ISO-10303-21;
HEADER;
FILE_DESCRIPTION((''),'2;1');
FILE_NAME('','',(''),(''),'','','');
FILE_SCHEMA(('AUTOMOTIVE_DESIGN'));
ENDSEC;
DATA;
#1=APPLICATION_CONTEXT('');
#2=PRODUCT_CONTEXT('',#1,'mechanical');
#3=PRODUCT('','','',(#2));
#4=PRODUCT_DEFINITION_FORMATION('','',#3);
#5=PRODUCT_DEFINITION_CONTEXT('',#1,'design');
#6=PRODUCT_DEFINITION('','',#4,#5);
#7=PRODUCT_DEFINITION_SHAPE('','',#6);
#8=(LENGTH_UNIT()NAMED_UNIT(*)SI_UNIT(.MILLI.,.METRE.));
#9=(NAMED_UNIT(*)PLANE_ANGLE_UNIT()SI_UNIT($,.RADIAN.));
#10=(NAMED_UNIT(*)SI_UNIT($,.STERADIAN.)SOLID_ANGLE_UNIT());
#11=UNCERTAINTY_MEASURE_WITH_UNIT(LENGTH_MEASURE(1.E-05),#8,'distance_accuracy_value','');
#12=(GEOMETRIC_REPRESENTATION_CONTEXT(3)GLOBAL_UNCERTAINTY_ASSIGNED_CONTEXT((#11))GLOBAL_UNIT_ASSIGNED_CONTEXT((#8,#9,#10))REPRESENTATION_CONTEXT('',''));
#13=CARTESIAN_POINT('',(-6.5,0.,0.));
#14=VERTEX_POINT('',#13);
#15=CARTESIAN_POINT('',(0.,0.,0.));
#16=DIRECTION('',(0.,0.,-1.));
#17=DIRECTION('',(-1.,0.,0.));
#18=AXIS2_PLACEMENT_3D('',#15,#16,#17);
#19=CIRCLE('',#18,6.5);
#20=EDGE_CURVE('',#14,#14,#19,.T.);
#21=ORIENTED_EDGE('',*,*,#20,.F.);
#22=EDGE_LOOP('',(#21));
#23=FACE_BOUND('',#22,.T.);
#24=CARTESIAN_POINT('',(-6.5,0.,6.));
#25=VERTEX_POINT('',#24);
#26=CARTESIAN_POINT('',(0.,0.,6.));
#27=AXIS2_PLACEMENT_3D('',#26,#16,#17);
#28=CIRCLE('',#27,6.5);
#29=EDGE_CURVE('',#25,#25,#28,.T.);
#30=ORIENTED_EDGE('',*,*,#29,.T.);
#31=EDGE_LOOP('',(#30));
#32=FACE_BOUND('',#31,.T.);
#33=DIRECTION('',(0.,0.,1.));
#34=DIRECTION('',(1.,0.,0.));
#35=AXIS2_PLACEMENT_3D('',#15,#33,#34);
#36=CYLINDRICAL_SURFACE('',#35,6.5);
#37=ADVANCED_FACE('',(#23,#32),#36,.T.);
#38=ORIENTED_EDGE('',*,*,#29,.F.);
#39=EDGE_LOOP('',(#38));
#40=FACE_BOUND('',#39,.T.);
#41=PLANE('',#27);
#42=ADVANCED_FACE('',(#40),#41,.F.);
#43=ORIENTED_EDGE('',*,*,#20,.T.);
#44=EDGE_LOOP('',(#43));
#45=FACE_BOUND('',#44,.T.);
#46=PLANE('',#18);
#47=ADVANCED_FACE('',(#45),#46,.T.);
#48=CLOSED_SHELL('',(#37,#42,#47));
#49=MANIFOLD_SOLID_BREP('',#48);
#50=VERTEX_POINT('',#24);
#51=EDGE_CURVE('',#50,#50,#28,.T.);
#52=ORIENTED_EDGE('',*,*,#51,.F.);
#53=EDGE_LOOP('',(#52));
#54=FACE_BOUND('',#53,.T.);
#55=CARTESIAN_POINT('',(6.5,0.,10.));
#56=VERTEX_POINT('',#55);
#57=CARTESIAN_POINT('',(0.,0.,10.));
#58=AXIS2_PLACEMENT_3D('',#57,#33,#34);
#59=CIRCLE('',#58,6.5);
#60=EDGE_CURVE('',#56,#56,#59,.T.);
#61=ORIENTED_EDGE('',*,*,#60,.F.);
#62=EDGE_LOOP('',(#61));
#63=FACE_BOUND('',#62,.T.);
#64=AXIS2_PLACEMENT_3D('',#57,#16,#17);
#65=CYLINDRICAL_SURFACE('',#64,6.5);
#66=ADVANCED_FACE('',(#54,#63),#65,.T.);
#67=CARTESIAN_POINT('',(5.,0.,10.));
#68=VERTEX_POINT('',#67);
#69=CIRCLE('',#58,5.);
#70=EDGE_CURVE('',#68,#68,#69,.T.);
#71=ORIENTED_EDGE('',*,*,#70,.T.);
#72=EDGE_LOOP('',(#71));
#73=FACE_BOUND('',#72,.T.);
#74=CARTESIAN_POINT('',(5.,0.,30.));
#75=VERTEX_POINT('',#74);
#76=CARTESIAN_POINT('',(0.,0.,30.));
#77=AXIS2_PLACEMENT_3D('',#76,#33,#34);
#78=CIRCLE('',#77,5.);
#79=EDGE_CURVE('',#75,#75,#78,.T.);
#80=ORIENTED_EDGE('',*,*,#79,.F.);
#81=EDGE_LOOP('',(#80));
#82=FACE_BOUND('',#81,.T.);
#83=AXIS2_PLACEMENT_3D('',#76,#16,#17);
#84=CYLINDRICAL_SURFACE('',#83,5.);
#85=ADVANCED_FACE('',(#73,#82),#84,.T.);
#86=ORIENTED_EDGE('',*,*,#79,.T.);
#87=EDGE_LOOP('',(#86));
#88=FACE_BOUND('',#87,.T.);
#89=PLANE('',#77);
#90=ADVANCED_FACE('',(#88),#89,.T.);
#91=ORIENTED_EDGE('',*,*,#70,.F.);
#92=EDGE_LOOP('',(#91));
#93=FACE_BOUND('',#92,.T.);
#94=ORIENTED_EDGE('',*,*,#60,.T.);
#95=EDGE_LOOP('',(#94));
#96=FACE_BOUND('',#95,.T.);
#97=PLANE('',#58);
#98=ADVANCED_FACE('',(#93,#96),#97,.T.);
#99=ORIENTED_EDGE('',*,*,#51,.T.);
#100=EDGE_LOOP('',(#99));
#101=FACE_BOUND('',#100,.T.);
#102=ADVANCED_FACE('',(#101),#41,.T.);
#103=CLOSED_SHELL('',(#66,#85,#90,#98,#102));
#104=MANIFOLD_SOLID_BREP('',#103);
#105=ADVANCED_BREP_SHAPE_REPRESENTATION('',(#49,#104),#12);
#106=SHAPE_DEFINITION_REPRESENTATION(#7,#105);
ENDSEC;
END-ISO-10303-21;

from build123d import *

# Parameters (mm, degrees)
ESQUISSE1_R             = 6.5
BOSS_EXTRU_1_DEPTH      = 10
ESQUISSE2_R             = 5
BOSS_EXTRU_2_DEPTH      = 20
ESQUISSE3_R             = 6.5
ENL_V_MAT_EXTRU_1_DEPTH = 6
ESQUISSE5_R             = 6.5
BOSS_EXTRU_4_DEPTH      = 6


with BuildPart() as part:
    # Esquisse1 → Boss.-Extru.1 (new body)
    with BuildSketch(Plane.XY):
        Circle(ESQUISSE1_R)
    extrude(amount=BOSS_EXTRU_1_DEPTH)

    # Esquisse2 → Boss.-Extru.2 (add)
    with BuildSketch(Plane.XY.offset(10)):
        Circle(ESQUISSE2_R)
    extrude(amount=BOSS_EXTRU_2_DEPTH)

    # Esquisse3 → Enlèv. mat.-Extru.1 (cut)
    with BuildSketch(Plane(origin=(0, 0, 0), x_dir=(-1, 0, 0), z_dir=(0, 0, -1))):
        Circle(ESQUISSE3_R)
    extrude(amount=-ENL_V_MAT_EXTRU_1_DEPTH, mode=Mode.SUBTRACT)


with BuildPart() as body_2:
    # Esquisse5 → Boss.-Extru.4 (new body)
    with BuildSketch(Plane(origin=(0, 0, 6), x_dir=(-1, 0, 0), z_dir=(0, 0, -1))):
        Circle(ESQUISSE5_R)
    extrude(amount=BOSS_EXTRU_4_DEPTH)


solid = Compound([part.part, body_2.part])
